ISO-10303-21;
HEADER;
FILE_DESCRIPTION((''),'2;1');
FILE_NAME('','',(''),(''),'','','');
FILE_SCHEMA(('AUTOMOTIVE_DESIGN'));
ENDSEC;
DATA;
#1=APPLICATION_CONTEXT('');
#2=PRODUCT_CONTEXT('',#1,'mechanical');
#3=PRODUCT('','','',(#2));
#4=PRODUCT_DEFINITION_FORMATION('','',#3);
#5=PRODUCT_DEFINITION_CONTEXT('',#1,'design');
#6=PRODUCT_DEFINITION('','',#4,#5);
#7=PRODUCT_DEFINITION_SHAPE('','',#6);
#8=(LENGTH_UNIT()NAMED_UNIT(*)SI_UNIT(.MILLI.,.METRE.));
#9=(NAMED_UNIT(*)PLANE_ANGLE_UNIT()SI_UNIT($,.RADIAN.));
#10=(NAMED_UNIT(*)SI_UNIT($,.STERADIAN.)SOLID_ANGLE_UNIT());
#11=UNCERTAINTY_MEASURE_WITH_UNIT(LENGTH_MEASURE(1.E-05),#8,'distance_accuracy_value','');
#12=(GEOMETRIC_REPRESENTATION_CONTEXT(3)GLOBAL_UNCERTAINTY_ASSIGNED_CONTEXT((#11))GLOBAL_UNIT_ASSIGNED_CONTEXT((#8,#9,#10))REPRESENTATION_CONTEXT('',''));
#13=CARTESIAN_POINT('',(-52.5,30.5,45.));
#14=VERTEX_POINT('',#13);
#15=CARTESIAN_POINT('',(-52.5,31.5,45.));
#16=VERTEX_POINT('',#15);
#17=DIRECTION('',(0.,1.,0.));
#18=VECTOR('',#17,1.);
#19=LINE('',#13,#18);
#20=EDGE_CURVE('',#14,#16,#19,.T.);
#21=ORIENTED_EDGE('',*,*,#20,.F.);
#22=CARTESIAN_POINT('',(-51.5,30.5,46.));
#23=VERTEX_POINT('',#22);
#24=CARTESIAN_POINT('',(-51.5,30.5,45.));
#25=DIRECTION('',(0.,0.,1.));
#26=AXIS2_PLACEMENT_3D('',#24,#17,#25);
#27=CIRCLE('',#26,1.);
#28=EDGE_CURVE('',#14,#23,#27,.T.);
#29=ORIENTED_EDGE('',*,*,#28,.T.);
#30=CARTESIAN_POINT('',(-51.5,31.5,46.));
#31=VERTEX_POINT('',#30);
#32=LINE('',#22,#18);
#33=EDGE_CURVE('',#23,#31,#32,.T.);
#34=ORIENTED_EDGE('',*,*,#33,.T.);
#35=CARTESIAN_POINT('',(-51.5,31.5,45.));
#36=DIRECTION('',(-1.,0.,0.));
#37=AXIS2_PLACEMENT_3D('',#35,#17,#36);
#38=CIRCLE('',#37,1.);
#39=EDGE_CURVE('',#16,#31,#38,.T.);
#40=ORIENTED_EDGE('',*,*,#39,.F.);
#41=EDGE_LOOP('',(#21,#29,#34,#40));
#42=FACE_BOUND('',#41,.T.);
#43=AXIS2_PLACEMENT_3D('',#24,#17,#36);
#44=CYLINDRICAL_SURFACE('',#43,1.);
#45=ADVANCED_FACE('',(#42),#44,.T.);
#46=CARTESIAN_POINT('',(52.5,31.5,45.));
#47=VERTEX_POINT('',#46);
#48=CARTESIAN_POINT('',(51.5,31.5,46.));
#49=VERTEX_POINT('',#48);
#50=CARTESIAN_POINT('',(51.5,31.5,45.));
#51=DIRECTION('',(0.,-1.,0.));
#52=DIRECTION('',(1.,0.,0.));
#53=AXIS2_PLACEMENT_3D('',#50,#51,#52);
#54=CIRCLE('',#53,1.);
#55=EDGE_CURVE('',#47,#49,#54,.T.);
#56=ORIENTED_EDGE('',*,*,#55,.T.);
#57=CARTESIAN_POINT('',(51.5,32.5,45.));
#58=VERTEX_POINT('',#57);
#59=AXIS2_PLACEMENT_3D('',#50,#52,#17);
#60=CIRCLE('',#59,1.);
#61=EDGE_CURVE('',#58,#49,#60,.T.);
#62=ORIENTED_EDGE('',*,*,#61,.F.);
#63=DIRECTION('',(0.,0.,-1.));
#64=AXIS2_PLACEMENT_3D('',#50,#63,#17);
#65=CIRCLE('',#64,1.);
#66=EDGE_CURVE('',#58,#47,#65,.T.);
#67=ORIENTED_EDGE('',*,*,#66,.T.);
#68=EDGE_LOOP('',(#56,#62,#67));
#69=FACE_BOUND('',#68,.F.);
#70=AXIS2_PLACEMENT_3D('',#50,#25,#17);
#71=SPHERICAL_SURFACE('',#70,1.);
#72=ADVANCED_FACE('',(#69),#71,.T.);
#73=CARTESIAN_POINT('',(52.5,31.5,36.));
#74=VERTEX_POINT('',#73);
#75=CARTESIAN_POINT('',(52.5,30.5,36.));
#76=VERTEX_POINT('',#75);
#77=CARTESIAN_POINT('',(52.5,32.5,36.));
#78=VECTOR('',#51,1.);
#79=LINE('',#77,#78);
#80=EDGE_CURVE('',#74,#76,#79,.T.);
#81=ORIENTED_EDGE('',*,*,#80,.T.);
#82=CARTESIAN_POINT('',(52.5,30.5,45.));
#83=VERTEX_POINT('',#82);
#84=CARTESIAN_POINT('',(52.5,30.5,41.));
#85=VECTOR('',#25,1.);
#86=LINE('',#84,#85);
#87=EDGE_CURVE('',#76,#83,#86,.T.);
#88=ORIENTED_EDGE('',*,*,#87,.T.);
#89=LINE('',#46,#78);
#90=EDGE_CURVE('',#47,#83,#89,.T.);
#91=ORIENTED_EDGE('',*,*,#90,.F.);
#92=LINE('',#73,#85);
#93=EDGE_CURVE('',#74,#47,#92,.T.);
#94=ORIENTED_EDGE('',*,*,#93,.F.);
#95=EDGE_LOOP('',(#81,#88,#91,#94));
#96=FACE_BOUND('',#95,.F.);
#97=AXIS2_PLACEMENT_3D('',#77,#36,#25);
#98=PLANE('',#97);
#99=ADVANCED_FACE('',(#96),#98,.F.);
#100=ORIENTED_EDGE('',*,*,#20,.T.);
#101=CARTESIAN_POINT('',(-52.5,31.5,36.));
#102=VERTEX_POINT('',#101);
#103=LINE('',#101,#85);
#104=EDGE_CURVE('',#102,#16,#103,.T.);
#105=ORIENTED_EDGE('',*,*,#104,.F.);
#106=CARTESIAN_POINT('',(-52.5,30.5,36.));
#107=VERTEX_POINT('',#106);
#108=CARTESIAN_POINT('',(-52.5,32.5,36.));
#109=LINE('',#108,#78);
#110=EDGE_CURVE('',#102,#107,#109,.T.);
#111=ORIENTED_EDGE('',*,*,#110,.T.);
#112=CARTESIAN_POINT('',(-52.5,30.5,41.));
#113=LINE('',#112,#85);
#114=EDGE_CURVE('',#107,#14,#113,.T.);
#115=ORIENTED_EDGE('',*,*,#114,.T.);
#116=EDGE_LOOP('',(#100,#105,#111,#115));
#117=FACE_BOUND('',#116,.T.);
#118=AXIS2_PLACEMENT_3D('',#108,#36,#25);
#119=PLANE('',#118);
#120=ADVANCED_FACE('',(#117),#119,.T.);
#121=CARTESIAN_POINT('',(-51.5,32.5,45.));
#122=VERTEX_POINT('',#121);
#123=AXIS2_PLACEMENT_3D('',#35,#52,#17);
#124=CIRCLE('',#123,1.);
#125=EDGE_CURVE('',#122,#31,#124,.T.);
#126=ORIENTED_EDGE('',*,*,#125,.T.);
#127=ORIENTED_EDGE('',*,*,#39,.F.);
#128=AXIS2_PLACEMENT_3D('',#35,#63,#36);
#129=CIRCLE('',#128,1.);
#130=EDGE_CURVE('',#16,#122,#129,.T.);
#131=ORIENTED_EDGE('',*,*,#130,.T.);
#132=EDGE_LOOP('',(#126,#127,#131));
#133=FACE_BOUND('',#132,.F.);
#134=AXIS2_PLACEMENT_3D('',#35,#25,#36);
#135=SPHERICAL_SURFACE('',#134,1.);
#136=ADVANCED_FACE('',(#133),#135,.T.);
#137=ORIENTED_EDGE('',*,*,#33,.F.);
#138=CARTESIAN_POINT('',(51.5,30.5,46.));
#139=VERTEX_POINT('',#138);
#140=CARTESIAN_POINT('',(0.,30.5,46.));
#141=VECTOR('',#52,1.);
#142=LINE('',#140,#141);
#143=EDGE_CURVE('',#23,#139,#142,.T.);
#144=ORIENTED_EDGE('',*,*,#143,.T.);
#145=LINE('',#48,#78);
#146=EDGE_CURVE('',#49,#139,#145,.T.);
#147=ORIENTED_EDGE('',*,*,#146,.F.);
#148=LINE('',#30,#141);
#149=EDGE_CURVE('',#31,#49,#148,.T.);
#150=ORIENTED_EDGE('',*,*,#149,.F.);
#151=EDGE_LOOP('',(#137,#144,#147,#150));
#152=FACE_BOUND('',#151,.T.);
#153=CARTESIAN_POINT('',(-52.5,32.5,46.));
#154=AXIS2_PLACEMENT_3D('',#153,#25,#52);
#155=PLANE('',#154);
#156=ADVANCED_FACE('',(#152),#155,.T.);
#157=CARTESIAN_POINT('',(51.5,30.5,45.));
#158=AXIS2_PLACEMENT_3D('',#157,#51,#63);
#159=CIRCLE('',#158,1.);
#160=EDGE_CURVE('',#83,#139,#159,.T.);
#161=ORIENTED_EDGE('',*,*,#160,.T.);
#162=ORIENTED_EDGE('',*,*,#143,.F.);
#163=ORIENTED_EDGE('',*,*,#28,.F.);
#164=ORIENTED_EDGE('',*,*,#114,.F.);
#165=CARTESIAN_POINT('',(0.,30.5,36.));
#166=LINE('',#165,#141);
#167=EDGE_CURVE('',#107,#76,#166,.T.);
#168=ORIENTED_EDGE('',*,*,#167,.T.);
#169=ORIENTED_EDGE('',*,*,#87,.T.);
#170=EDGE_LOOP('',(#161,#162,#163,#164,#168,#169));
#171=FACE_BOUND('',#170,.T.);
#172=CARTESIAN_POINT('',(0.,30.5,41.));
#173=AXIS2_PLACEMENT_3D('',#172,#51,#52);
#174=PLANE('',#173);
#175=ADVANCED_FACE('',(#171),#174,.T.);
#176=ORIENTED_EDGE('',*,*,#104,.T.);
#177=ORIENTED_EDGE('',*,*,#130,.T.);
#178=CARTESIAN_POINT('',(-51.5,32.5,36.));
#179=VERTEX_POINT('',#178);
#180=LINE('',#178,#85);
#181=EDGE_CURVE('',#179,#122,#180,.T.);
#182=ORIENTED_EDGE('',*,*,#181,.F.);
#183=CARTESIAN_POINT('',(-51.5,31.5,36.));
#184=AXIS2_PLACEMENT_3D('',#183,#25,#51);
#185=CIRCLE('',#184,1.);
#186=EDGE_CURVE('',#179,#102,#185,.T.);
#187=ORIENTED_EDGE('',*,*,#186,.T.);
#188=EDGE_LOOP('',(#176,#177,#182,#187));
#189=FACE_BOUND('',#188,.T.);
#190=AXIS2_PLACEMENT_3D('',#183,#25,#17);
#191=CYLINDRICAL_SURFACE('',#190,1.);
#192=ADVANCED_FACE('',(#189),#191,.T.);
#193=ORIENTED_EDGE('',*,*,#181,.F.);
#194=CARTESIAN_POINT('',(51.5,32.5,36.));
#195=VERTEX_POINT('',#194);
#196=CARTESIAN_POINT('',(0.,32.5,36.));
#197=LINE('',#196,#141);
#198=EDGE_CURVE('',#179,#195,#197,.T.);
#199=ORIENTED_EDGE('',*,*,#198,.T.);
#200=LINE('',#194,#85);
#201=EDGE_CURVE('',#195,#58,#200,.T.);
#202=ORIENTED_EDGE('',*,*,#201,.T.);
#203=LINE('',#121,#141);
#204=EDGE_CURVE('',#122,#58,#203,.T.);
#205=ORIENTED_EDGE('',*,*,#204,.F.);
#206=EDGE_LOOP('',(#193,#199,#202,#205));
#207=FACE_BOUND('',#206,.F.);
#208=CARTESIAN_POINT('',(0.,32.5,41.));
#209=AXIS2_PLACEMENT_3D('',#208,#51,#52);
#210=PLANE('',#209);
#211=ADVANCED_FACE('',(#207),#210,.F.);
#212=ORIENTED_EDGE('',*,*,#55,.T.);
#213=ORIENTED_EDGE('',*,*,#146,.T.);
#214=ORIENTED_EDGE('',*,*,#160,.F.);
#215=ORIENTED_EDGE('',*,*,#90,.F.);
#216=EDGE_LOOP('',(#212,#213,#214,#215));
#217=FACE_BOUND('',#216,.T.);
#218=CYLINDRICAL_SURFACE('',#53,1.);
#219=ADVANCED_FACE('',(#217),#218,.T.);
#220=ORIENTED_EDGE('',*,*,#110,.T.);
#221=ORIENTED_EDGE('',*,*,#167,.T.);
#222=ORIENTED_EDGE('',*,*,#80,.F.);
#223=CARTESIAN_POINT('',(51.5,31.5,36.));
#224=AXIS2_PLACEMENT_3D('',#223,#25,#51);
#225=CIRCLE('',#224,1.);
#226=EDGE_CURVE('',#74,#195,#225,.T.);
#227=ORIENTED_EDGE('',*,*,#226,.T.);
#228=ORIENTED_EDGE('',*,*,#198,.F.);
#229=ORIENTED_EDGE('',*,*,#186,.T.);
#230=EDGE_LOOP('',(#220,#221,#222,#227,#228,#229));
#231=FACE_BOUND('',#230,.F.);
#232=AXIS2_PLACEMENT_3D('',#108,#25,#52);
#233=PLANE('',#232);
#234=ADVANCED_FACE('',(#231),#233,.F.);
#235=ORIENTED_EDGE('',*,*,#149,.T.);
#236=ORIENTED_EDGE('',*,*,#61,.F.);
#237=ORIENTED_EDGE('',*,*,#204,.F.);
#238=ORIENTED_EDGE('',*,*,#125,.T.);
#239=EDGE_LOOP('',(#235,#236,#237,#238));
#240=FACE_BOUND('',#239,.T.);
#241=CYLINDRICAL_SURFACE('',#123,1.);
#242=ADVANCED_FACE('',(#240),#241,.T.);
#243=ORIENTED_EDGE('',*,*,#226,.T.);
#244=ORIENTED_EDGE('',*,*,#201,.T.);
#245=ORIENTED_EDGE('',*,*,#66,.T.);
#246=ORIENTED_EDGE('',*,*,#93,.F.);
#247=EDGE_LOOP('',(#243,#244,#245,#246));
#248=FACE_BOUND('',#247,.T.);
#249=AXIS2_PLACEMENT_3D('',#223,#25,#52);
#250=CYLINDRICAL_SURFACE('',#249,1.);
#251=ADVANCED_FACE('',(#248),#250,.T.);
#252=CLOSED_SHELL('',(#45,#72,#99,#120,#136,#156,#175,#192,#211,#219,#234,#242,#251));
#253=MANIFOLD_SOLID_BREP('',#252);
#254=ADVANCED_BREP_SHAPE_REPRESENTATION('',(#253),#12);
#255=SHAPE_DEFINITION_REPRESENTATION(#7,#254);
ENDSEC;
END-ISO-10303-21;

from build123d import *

# Parameters (mm, degrees)
SKETCH008_W  = 105
SKETCH008_H  = 10
PAD007_DEPTH = 2
FILLET012_R  = 1
FILLET014_R  = 1
FILLET023_R  = 1


with BuildPart() as part:
    # Sketch008 → Pad007 (new body)
    with BuildSketch(Plane.XZ):
        with Locations((0, 5)):
            Rectangle(SKETCH008_W, SKETCH008_H)
    extrude(amount=PAD007_DEPTH)

    # Fillet012
    fillet012_edges = [part.edges().sort_by_distance(p)[0] for p in [
        (52.5, 0, 5),
    ]]
    fillet(fillet012_edges, radius=FILLET012_R)

    # Fillet014
    fillet014_edges = [part.edges().sort_by_distance(p)[0] for p in [
        (-52.5, 0, 5),
    ]]
    fillet(fillet014_edges, radius=FILLET014_R)

    # Fillet023
    fillet023_edges = [part.edges().sort_by_distance(p)[0] for p in [
        (0, 0, 10),
    ]]
    fillet(fillet023_edges, radius=FILLET023_R)


with BuildPart() as part_1:
    # Body007 placement: moved
    add(part.part.moved(Location((0, 32.5, 36))))


solid = part_1.part
